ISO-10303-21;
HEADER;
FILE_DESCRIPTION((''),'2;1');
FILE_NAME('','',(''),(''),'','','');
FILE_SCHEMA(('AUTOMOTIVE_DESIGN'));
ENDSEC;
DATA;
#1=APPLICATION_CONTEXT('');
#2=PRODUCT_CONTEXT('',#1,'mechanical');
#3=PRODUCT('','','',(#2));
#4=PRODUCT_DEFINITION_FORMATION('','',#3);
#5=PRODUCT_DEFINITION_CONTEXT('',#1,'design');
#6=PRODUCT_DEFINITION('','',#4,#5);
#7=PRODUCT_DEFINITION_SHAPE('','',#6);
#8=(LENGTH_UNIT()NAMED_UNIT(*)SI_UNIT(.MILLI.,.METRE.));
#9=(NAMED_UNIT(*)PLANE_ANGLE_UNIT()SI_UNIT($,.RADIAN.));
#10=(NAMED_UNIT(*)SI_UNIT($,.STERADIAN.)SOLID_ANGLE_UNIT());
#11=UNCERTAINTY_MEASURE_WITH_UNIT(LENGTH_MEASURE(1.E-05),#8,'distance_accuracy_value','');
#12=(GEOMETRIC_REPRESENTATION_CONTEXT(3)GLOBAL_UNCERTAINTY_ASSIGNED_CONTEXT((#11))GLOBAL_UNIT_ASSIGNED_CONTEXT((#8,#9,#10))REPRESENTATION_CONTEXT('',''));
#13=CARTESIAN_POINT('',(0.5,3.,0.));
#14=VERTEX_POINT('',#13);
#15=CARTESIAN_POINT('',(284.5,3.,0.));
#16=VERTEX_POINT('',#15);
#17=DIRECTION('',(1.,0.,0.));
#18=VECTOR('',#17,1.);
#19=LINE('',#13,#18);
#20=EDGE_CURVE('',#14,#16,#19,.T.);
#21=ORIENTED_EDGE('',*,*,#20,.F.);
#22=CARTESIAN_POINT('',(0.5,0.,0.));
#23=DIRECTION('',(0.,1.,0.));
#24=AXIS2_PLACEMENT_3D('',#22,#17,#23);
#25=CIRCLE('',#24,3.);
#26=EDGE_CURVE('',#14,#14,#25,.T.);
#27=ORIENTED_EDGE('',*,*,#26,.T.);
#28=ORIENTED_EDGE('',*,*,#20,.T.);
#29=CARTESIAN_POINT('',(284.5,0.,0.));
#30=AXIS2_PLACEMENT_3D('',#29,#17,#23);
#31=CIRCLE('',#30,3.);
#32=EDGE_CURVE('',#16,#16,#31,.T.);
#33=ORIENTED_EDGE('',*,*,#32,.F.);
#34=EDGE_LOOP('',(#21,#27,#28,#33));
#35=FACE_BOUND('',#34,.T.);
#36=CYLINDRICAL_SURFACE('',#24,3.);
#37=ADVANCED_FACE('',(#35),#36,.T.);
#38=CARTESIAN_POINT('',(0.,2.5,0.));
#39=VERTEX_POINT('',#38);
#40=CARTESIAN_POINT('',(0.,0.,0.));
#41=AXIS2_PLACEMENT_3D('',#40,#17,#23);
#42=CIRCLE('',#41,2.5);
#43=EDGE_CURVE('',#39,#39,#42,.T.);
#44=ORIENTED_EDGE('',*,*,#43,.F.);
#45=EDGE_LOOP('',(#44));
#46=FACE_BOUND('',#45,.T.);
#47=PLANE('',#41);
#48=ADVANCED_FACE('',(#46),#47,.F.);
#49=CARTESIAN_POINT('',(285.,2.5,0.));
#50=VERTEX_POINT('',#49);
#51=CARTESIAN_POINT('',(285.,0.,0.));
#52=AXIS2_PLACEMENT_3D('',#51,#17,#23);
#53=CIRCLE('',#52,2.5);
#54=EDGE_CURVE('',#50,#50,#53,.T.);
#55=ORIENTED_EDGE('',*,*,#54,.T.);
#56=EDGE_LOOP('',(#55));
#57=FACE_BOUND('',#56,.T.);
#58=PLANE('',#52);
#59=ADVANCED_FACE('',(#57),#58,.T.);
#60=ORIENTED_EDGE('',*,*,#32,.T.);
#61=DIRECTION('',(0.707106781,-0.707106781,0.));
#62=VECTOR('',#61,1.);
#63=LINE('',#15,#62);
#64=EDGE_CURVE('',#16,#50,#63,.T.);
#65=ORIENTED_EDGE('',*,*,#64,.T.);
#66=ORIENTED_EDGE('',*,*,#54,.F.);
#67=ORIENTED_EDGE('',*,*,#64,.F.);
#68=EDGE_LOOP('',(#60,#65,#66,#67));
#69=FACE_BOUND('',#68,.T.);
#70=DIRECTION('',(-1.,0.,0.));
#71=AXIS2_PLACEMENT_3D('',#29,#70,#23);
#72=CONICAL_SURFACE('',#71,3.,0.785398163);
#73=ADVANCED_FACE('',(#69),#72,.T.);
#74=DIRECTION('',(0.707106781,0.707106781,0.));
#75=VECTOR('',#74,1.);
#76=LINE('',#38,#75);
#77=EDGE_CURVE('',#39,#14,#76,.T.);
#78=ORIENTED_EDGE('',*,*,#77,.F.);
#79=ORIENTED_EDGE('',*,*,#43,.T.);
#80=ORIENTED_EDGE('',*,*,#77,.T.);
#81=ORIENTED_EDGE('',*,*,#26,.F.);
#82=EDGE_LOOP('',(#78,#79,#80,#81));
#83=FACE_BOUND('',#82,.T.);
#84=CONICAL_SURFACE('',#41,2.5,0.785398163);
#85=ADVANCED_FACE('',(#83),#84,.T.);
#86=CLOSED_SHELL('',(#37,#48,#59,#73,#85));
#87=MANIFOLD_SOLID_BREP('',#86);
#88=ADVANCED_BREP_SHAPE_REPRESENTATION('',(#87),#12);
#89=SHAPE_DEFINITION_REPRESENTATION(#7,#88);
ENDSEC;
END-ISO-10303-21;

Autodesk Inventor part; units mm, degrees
sketch "Sketch_1" plane through (0, 0, 0) normal (0, 0, 1) x (1, 0, 0)
  line L0 (285, 0) -> (0, 0)
  line L1 (0, 0) -> (0, 2.5)
  line L2 (0, 2.5) -> (0.5, 3)
  line L3 (0.5, 3) -> (284.5, 3)
  line L4 (284.5, 3) -> (285, 2.5)
  line L5 (285, 2.5) -> (285, 0)
  line L6 (285, 0) -> (0, 0)
revolve "Revolution1" add sketch "Sketch_1" angle 360 about axis through (285, 0, 0) along (1, 0, 0)
ref_plane "COMBINATION_MODULE_XY" through (0, 0, 0) normal (1, 0, 0) x (0, 0, -1)
ref_plane "COMBINATION_MODULE_YZ" through (0, 0, 0) normal (0, 0, -1) x (0, 1, 0)
ref_plane "COMBINATION_MODULE_ZX" through (0, 0, 0) normal (0, 1, 0) x (1, 0, 0)
properties part number "SFR6-285_s" material "鋼、炭素鋼"
